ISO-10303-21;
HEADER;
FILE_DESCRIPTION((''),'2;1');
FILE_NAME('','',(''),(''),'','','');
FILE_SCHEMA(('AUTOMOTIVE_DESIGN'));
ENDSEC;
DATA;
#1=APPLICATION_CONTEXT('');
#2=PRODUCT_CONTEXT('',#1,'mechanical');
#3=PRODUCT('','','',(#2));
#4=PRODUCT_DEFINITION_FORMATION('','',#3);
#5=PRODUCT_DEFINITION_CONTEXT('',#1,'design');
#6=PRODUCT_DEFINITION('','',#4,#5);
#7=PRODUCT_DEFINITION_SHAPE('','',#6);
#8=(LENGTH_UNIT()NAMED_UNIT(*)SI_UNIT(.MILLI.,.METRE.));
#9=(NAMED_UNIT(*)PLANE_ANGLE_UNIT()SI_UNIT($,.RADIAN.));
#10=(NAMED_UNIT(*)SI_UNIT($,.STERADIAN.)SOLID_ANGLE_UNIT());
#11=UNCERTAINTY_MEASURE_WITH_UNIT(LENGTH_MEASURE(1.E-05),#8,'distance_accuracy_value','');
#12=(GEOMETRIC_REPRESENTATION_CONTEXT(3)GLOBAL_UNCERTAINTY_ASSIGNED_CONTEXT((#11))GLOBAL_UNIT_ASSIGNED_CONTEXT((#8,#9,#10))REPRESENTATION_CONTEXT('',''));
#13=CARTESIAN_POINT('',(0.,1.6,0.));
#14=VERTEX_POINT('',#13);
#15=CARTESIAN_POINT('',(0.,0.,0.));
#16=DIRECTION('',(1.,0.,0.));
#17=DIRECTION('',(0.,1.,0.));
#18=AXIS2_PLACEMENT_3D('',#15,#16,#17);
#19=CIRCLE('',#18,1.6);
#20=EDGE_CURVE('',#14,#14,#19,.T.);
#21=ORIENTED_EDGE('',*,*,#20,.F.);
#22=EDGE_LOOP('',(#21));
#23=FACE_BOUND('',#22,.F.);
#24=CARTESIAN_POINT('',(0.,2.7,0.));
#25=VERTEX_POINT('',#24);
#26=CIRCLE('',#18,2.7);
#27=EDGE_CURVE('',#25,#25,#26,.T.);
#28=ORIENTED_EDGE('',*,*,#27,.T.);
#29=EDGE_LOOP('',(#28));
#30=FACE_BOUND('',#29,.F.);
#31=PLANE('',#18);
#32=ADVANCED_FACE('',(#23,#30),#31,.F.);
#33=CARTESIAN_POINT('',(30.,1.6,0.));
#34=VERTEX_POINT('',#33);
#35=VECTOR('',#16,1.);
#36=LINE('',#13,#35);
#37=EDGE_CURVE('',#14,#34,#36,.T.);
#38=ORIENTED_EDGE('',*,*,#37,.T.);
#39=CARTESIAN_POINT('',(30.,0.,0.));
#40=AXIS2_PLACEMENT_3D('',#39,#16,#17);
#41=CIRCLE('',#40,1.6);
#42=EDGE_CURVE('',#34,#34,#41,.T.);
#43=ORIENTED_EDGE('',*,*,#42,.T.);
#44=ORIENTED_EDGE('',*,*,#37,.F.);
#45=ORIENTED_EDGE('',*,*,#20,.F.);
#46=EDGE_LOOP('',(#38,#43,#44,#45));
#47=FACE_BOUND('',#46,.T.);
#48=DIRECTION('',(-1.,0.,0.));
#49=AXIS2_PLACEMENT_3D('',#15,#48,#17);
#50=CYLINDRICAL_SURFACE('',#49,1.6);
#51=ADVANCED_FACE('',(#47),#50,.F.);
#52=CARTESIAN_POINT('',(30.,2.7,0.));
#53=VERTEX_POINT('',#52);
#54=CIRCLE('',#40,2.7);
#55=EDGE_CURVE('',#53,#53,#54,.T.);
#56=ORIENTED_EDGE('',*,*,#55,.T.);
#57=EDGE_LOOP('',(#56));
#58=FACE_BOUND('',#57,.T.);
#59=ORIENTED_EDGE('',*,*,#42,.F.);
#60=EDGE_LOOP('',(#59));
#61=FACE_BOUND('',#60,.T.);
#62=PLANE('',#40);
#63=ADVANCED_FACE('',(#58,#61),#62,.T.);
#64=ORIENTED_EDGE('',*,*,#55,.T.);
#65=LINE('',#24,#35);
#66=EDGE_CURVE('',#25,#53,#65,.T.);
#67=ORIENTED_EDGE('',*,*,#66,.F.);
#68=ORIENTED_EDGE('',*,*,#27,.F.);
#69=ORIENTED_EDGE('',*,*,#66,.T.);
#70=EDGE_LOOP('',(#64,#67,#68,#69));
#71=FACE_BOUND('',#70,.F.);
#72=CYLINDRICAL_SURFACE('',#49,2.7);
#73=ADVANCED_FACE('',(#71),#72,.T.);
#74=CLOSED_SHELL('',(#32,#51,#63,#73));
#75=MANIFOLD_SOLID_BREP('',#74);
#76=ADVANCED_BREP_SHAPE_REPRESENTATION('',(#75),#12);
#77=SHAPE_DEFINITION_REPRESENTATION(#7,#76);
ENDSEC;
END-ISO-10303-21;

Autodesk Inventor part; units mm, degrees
ref_plane "YZ Plane" through (0, 0, 0) normal (1, 0, 0) x (0, 1, 0)
ref_plane "XZ Plane" through (0, 0, 0) normal (0, 1, 0) x (-1, 0, 0)
ref_plane "XY Plane" through (0, 0, 0) normal (0, 0, 1) x (1, 0, 0)
sketch "Sketch1" plane through (0, 0, 0) normal (1, 0, 0) x (0, 1, 0)
  circle A0 centre (0, 0) radius 1.6
  circle A1 centre (0, 0) radius 2.7
  dimension "d0" = 3.2
  dimension "d1" = 5.4
extrude "Extrusion1" add sketch "Sketch1" along normal blind 30
properties part number "Copper_Coupler"
